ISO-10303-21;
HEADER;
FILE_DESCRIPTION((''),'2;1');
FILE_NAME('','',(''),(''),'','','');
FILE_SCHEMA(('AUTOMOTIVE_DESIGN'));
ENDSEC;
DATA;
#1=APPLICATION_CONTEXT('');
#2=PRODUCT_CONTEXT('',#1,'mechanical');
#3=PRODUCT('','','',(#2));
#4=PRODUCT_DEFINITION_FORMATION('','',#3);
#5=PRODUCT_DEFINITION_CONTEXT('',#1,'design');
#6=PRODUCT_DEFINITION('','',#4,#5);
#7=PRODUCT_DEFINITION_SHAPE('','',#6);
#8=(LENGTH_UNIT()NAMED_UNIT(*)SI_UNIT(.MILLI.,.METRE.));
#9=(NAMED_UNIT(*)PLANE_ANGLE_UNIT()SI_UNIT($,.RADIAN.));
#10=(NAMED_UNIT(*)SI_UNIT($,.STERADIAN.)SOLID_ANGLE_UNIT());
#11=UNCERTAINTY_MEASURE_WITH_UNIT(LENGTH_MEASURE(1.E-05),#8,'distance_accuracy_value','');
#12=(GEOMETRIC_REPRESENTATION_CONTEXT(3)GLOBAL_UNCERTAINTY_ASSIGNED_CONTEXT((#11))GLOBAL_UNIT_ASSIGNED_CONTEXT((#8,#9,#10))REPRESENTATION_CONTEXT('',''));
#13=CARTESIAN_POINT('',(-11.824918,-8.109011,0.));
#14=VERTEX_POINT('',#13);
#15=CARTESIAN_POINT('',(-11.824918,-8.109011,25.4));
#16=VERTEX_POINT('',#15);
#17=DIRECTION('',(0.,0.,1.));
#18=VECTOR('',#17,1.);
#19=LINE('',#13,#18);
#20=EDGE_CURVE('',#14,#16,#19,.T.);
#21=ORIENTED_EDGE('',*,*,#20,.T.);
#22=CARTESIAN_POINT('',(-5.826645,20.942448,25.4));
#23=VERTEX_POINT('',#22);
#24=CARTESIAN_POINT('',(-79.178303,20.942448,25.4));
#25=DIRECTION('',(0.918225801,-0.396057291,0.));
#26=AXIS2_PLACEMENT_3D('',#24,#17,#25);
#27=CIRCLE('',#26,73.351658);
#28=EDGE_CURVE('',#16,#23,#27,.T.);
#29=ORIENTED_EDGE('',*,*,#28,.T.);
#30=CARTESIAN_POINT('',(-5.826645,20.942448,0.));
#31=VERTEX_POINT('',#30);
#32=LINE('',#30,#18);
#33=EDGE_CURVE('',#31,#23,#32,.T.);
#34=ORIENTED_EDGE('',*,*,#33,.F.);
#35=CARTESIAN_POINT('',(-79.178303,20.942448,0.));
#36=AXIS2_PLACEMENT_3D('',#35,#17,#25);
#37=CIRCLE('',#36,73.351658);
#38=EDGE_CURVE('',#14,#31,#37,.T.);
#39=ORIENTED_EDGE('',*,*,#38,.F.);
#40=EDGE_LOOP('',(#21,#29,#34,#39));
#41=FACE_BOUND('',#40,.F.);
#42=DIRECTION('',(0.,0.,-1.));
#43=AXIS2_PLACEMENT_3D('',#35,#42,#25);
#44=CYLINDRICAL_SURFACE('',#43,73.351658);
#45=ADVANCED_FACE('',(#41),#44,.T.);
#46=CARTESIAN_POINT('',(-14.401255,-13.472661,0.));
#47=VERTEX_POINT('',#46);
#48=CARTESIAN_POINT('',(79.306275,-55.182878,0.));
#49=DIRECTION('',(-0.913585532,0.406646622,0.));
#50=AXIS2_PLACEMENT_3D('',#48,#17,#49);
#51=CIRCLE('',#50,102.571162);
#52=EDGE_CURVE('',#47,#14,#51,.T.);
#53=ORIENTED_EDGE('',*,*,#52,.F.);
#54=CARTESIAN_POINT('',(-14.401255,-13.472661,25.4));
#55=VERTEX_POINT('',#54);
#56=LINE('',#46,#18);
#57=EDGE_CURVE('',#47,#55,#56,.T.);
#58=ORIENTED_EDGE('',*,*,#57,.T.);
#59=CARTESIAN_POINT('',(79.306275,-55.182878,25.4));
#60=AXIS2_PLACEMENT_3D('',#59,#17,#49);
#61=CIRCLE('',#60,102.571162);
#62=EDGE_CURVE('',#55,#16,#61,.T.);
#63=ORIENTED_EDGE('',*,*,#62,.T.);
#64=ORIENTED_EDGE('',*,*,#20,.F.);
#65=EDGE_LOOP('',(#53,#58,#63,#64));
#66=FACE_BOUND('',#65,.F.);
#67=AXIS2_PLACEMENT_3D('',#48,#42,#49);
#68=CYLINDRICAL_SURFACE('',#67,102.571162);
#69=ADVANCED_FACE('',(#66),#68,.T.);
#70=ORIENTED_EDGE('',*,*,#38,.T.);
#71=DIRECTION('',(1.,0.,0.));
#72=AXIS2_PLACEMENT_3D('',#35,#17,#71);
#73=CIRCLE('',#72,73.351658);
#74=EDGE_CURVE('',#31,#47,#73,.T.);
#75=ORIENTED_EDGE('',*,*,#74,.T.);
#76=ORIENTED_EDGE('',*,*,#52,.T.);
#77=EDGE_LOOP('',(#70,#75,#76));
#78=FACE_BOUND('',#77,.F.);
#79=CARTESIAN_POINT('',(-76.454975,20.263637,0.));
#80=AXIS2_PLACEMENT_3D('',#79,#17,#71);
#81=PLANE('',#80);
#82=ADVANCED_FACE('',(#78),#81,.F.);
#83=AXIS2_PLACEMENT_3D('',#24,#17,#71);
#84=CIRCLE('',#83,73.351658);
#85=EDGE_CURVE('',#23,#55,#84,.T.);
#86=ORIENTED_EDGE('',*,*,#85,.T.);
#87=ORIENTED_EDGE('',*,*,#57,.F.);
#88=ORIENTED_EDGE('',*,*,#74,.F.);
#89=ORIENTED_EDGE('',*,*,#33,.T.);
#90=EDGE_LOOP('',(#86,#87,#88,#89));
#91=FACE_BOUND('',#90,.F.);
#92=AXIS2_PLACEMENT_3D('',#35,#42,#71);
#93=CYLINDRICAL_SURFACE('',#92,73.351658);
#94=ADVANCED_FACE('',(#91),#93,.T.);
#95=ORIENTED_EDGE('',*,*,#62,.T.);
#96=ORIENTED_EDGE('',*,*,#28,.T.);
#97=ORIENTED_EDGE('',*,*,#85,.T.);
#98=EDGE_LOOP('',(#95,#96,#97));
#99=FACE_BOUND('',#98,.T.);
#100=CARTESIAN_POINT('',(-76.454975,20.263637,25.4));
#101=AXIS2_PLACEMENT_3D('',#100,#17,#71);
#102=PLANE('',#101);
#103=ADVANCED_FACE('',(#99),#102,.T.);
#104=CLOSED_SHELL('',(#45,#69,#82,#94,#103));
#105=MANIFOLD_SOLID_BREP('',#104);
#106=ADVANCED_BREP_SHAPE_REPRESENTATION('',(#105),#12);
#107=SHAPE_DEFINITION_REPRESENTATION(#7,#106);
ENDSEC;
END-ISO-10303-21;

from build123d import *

# Parameters (mm, degrees)
F1_DEPTH = 25.4


with BuildPart() as f1:
    # F0 (on Top) → F1 (new body)
    with BuildSketch(Plane.XY):
        with BuildLine():
            ThreePointArc((-11.8249184792, -8.1090112858), (-7.3418635394, 6.1103326408), (-5.8266454164, 20.9424477071))
            ThreePointArc((-5.8266454164, 20.9424477071), (-150.35403547, 38.6760575033), (-14.4012550355, -13.4726614095))
            ThreePointArc((-14.4012550355, -13.4726614095), (-13.15198917, -10.7721502467), (-11.8249184792, -8.1090112858))
        make_face()
        with BuildLine():
            ThreePointArc((-11.8249184792, -8.1090112858), (-13.15198917, -10.7721502467), (-14.4012550355, -13.4726614095))
            ThreePointArc((-14.4012550355, -13.4726614095), (-13.0586766944, -10.8169712802), (-11.8249184792, -8.1090112858))
        make_face()
        with BuildLine():
            ThreePointArc((-11.8249184792, -8.1090112858), (-13.0586766944, -10.8169712802), (-14.4012550355, -13.4726614095))
            ThreePointArc((-14.4012550355, -13.4726614095), (57.9854741252, -155.5136645647), (181.8774366926, -55.182877928))
            ThreePointArc((181.8774366926, -55.182877928), (103.528278127, 44.4872672005), (-11.8249184792, -8.1090112858))
        make_face()
    extrude(amount=F1_DEPTH)


solid = f1.part
